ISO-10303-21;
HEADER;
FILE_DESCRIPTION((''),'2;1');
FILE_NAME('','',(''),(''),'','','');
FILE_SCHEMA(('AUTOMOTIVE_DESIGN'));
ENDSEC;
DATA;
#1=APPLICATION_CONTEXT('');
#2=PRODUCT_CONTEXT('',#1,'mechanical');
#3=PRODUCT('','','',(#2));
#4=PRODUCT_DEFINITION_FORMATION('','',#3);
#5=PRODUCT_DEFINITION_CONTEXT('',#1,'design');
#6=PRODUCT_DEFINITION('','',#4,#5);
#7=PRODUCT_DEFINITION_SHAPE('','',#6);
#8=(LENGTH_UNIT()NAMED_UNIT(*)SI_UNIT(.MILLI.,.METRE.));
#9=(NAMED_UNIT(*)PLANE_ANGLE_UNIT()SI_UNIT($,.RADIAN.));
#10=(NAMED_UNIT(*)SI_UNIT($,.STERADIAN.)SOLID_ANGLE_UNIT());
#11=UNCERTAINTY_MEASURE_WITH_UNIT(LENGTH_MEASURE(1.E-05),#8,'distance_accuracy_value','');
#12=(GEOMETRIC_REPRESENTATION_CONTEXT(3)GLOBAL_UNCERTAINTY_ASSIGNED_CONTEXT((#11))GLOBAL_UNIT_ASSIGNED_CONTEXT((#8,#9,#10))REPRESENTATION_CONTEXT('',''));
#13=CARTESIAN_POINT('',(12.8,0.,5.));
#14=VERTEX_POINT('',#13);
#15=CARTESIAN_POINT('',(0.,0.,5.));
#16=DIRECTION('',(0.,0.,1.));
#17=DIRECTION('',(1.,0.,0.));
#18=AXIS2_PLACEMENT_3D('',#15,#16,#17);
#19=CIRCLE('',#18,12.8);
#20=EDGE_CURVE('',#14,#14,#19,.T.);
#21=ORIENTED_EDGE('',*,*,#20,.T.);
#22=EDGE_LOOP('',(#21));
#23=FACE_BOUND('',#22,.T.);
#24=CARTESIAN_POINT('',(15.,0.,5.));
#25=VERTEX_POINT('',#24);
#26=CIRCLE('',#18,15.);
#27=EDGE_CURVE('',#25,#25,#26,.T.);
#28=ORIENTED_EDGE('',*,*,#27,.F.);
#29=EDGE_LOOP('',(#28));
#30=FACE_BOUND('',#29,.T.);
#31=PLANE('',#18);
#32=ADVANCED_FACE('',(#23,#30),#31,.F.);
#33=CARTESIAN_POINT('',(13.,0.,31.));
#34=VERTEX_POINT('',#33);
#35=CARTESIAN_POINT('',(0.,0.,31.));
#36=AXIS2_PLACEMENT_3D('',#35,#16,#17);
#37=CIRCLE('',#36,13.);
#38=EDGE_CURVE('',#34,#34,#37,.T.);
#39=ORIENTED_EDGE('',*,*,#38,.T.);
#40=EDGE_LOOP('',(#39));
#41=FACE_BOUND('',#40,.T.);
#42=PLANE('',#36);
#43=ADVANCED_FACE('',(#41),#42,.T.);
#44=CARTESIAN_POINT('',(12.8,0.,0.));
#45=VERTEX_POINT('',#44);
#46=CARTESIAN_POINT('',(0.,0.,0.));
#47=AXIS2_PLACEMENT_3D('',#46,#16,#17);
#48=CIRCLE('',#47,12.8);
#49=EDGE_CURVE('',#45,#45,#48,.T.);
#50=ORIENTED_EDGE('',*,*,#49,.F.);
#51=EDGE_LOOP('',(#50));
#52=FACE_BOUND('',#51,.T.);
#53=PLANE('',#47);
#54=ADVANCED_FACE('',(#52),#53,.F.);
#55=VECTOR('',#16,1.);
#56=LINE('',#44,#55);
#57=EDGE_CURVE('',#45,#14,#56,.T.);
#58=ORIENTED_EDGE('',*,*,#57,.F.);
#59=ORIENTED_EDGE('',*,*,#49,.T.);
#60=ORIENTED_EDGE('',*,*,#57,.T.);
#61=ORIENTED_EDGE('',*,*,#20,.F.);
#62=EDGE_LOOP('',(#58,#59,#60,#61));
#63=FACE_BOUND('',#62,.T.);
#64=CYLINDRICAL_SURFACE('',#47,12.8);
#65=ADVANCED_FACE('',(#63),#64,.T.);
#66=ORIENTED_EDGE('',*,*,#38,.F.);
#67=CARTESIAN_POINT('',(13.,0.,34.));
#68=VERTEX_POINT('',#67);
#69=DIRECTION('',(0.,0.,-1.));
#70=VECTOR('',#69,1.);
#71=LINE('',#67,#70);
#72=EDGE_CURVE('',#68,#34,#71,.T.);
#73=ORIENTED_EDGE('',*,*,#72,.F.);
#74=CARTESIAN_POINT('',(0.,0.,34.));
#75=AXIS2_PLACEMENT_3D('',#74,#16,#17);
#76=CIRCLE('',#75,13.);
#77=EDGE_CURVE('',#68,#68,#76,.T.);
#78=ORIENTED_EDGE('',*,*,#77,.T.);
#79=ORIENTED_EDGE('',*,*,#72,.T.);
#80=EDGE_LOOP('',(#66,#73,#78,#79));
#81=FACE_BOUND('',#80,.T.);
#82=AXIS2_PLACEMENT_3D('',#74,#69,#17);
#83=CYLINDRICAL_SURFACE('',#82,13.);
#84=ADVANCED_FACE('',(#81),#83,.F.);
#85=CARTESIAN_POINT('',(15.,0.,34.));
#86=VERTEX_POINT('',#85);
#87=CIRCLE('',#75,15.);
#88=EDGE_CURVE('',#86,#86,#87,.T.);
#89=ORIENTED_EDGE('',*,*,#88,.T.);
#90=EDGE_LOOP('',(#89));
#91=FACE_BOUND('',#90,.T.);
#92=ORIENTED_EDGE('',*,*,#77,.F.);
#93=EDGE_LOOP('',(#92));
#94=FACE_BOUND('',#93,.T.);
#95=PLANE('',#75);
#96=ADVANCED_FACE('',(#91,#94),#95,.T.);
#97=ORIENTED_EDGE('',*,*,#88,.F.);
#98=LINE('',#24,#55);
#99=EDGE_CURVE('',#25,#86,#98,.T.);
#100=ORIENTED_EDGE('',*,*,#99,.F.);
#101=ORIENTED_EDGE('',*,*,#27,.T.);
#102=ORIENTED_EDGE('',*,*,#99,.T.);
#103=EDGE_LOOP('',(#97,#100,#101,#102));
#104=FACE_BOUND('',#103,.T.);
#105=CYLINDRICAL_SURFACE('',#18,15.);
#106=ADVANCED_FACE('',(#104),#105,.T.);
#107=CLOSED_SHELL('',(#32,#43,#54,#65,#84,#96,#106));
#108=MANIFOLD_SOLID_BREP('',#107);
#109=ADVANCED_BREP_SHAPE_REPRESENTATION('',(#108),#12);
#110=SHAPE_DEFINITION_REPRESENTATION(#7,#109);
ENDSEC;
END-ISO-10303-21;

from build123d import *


with BuildPart() as part:
    # Sketch → Revolution (revolve)
    with BuildSketch(Plane.XZ):
        Polygon((0, 0), (12.8, 0), (12.8, 5), (15, 5), (15, 34), (13, 34), (13, 31), (0, 31), align=None)
    revolve(axis=Axis((0, 0, 0), (0, 0, 1)))


solid = part.part
